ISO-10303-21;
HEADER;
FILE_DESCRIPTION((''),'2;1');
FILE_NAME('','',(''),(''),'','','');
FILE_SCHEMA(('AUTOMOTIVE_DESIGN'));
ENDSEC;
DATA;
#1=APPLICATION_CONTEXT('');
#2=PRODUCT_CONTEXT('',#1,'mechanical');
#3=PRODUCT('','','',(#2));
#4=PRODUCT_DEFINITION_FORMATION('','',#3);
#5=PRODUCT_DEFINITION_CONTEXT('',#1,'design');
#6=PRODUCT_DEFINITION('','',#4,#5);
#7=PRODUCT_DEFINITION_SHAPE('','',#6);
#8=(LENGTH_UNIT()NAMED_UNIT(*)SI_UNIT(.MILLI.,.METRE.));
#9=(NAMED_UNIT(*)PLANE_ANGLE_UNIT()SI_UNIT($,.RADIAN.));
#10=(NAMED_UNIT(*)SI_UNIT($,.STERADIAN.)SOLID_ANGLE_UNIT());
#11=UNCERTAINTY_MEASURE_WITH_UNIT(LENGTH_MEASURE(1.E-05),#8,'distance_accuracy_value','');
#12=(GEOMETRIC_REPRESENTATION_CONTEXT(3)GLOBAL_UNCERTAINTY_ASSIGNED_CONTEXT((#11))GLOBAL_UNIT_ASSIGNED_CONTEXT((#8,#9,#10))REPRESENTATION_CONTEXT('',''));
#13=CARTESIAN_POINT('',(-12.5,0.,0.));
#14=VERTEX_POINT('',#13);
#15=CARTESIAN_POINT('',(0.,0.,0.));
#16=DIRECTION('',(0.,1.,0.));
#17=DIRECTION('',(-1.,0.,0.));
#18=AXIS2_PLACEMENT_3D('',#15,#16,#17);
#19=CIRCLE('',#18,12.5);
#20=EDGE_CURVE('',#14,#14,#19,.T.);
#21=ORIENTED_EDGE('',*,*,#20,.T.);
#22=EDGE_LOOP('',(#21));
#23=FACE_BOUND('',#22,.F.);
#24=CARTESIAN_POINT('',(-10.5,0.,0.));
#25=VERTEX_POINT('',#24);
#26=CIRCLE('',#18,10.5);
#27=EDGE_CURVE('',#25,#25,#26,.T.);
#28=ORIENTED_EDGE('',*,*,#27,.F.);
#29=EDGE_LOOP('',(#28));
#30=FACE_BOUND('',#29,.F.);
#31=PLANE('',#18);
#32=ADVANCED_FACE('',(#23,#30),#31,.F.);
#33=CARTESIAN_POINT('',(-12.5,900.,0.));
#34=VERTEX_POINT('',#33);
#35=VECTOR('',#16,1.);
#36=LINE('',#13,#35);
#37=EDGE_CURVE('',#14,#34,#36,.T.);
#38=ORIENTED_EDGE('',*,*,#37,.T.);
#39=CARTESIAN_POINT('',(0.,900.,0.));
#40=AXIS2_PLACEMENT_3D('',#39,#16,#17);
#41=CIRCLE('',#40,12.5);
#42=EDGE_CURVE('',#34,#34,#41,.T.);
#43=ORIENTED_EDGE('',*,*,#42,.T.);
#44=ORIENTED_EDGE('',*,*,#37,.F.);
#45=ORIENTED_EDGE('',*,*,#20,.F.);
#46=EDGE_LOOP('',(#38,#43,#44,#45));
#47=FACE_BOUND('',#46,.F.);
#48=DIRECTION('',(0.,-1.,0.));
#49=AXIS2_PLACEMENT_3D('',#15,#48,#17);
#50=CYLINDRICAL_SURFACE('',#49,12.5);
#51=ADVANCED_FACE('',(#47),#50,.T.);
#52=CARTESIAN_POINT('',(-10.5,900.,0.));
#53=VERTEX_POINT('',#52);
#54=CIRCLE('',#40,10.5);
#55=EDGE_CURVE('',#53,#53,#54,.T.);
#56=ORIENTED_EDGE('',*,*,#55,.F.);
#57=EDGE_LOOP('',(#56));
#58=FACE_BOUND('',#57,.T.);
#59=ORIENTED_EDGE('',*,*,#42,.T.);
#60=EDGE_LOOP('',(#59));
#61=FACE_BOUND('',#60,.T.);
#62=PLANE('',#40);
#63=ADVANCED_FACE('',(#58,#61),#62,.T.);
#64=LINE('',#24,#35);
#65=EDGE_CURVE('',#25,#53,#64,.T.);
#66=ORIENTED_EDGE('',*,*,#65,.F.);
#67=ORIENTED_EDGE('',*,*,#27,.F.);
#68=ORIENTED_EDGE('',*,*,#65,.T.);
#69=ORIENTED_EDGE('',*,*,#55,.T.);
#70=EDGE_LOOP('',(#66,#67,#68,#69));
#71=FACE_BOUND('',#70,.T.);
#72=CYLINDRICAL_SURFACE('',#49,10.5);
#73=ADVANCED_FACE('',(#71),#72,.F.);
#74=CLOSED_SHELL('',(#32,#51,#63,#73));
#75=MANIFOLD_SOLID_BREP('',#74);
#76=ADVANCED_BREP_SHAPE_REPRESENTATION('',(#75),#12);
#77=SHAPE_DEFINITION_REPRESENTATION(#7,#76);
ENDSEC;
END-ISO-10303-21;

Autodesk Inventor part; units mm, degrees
ref_plane "YZ Plane" through (0, 0, 0) normal (1, 0, 0) x (0, 1, 0)
ref_plane "XZ Plane" through (0, 0, 0) normal (0, 1, 0) x (-1, 0, 0)
ref_plane "XY Plane" through (0, 0, 0) normal (0, 0, 1) x (1, 0, 0)
sketch "Sketch1" plane through (0, 0, 0) normal (0, 1, 0) x (-1, 0, 0)
  circle A0 centre (0, 0) radius 12.5
  circle A1 centre (0, 0) radius 10.5
  dimension "d0" = 25
  dimension "d1" = 21
extrude "Extrusion1" add sketch "Sketch1" along normal blind 900
properties part number "carbon_fiber_25_21_600" material "CFRP"
